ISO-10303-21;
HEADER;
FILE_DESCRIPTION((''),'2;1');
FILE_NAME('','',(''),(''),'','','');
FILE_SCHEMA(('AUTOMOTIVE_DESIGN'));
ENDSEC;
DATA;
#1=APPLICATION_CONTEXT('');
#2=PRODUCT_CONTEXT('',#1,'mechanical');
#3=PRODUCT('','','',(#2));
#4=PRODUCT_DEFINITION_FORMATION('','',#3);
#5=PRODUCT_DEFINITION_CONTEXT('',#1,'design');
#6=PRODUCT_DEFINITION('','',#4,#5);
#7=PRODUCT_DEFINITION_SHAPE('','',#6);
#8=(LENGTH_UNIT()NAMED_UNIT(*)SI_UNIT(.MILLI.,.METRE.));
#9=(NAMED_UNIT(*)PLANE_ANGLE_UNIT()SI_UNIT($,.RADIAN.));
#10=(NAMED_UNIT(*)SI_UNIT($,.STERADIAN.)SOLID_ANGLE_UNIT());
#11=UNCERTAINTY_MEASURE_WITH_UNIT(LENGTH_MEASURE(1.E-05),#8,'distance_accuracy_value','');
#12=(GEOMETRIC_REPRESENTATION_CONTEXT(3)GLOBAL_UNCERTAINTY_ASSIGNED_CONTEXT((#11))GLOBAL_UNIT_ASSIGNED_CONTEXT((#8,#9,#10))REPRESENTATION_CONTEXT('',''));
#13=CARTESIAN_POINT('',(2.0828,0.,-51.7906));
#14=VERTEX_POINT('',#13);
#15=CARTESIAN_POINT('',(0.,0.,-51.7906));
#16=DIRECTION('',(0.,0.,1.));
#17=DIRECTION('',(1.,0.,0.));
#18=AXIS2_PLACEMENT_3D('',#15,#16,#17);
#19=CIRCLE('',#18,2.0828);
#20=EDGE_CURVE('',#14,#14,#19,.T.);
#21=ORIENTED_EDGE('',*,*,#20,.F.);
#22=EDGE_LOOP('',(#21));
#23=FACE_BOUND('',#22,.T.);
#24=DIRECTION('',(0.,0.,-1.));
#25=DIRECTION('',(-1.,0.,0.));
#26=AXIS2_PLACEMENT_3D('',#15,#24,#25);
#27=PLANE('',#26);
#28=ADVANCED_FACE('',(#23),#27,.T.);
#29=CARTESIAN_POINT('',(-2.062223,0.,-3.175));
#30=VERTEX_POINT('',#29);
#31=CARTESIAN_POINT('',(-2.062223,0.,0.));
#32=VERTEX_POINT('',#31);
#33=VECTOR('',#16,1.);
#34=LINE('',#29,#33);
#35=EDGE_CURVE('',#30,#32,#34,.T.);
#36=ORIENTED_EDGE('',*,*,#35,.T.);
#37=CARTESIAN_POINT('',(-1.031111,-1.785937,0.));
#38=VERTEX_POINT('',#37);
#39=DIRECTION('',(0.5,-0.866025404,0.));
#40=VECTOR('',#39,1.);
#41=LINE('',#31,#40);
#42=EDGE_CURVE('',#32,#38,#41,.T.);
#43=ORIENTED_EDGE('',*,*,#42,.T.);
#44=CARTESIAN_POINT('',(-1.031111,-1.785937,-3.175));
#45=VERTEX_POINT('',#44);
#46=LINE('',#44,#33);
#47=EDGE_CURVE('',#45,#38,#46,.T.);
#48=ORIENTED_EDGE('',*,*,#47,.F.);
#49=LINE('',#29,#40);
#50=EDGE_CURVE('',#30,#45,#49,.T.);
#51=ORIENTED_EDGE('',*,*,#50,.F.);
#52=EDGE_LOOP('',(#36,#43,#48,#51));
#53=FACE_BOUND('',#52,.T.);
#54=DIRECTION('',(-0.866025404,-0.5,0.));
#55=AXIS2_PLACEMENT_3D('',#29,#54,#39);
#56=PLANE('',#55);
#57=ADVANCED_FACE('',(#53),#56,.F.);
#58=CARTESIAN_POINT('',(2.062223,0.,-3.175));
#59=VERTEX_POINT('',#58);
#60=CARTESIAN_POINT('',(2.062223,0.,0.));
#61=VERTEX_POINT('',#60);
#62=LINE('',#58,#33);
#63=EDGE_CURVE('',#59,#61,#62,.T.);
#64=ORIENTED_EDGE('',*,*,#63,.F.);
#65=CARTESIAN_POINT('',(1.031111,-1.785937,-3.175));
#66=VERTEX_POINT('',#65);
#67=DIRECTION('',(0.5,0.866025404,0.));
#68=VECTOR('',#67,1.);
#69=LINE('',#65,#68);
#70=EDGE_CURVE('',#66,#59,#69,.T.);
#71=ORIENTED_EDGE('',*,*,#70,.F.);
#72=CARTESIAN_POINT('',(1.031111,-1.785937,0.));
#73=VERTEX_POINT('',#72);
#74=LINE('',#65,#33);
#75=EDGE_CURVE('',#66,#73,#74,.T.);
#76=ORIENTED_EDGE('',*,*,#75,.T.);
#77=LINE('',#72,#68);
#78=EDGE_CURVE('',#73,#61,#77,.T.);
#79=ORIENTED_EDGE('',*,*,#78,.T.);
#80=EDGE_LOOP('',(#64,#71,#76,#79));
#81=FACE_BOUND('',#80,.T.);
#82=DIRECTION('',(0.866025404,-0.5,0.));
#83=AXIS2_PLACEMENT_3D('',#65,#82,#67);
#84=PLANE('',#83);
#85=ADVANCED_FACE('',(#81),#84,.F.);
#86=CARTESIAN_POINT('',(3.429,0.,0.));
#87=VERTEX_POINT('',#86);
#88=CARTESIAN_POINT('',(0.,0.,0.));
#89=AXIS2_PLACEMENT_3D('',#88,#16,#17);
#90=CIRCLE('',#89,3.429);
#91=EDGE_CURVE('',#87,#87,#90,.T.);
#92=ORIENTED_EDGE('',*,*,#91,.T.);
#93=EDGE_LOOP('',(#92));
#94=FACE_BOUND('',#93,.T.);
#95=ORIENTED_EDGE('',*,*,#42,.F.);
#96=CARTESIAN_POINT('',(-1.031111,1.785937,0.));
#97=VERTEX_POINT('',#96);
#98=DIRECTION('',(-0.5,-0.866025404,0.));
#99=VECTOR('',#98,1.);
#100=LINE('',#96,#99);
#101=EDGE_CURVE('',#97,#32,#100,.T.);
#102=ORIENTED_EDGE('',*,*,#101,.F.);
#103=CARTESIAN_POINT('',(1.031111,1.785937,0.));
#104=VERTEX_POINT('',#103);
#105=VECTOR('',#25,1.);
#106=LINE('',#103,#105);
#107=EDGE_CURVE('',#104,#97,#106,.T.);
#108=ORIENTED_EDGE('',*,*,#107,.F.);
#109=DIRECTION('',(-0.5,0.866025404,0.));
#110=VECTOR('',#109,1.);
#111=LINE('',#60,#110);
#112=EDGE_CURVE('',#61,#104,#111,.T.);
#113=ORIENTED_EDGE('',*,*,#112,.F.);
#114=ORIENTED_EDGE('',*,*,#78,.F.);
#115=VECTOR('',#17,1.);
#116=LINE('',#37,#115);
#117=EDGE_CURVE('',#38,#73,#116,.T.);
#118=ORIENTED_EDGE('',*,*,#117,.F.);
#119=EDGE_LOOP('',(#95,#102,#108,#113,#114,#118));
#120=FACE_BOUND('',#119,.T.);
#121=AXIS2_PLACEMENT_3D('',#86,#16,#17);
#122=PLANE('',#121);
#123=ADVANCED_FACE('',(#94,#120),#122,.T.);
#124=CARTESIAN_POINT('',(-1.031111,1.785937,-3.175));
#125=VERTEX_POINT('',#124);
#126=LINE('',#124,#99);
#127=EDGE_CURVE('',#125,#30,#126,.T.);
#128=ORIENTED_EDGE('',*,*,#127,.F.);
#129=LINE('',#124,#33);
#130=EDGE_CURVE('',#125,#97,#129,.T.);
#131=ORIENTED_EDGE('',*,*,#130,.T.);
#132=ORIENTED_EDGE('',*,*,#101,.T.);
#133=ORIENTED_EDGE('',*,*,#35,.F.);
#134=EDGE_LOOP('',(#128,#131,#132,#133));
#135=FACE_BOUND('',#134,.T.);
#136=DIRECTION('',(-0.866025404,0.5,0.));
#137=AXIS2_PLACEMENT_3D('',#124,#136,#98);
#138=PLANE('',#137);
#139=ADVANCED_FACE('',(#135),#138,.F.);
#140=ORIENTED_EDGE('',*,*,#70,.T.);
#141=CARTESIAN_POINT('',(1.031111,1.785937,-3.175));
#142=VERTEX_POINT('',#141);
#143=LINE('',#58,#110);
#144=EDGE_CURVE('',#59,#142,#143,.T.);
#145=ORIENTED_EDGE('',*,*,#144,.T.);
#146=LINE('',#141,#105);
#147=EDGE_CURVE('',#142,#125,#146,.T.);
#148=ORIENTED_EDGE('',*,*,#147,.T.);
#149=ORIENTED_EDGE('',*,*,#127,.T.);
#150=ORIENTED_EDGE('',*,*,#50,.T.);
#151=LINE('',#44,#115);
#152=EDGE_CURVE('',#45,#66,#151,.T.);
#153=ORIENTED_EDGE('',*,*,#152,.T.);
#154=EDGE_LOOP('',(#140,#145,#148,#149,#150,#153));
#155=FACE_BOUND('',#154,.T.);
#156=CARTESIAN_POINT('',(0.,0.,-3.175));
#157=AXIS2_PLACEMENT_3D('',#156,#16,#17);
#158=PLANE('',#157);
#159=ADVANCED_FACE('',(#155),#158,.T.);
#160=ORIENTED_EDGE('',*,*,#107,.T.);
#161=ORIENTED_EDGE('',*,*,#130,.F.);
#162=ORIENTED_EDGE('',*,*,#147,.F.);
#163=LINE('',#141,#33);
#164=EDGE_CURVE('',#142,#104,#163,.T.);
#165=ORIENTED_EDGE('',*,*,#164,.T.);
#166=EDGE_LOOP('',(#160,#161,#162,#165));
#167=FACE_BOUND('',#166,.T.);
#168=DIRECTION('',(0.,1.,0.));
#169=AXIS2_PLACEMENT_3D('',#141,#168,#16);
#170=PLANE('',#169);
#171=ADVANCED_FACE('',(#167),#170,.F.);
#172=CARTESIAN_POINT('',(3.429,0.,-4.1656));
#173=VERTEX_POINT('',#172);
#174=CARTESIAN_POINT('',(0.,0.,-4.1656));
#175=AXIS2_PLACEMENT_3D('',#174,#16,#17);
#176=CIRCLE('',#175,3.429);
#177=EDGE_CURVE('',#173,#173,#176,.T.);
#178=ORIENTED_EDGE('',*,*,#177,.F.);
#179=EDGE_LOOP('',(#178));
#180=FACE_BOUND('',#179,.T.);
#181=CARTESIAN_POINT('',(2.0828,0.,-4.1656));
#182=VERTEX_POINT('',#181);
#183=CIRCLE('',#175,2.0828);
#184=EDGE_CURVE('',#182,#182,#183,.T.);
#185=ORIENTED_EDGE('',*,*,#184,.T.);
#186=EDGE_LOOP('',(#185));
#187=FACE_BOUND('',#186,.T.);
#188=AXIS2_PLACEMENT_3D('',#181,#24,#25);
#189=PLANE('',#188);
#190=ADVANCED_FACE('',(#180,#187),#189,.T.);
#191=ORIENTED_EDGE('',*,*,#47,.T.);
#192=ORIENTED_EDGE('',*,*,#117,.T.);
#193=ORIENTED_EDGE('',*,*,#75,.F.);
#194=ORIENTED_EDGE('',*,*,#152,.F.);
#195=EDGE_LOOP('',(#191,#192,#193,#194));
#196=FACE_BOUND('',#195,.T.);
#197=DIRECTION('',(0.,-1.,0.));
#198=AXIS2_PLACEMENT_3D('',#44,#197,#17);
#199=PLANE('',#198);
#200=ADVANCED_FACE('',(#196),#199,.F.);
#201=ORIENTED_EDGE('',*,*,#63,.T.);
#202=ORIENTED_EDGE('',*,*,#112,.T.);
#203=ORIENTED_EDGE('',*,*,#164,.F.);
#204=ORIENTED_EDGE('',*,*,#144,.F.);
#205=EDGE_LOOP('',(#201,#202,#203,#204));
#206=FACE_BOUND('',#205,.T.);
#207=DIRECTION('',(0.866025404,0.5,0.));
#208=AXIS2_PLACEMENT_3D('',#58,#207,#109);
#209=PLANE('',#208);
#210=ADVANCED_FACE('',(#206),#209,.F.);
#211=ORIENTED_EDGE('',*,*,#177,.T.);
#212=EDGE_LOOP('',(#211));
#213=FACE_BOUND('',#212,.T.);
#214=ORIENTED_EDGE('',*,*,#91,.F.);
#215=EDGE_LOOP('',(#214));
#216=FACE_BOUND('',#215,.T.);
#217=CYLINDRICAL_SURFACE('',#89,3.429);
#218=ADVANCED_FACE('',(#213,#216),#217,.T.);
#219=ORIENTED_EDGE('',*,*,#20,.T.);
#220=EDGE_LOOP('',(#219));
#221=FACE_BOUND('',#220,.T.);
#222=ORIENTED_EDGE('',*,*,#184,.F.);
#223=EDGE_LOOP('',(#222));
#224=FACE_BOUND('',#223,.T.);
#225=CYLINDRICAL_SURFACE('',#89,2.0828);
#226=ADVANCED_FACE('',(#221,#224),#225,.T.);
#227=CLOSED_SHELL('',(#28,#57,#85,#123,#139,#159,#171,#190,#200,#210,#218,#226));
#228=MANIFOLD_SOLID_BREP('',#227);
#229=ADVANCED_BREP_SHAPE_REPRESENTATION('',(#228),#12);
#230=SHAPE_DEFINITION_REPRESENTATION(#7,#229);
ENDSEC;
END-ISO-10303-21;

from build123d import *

# Parameters (mm, degrees)
F_9_64_ALLEN_DEPTH = 3.175


with BuildPart() as part:
    # Sketch1 → Revolve1 (revolve)
    with BuildSketch(Plane(origin=(0, 0, 0), x_dir=(1, 0, 0), z_dir=(0, 1, 0))):
        Polygon((0, 0), (0, 51.7906), (2.0828, 51.7906), (2.0828, 4.1656), (3.429, 4.1656), (3.429, 0), align=None)
    revolve(axis=Axis((0, 0, 0), (0, 0, -1)))

    # Sketch2 → 9-64 allen (cut)
    with BuildSketch(Plane.XY):
        Polygon((2.062222993, 0), (1.031111496, 1.7859375), (-1.031111496, 1.7859375), (-2.062222993, 0), (-1.031111496, -1.7859375), (1.031111496, -1.7859375), align=None)
    extrude(amount=-F_9_64_ALLEN_DEPTH, mode=Mode.SUBTRACT)


solid = part.part
